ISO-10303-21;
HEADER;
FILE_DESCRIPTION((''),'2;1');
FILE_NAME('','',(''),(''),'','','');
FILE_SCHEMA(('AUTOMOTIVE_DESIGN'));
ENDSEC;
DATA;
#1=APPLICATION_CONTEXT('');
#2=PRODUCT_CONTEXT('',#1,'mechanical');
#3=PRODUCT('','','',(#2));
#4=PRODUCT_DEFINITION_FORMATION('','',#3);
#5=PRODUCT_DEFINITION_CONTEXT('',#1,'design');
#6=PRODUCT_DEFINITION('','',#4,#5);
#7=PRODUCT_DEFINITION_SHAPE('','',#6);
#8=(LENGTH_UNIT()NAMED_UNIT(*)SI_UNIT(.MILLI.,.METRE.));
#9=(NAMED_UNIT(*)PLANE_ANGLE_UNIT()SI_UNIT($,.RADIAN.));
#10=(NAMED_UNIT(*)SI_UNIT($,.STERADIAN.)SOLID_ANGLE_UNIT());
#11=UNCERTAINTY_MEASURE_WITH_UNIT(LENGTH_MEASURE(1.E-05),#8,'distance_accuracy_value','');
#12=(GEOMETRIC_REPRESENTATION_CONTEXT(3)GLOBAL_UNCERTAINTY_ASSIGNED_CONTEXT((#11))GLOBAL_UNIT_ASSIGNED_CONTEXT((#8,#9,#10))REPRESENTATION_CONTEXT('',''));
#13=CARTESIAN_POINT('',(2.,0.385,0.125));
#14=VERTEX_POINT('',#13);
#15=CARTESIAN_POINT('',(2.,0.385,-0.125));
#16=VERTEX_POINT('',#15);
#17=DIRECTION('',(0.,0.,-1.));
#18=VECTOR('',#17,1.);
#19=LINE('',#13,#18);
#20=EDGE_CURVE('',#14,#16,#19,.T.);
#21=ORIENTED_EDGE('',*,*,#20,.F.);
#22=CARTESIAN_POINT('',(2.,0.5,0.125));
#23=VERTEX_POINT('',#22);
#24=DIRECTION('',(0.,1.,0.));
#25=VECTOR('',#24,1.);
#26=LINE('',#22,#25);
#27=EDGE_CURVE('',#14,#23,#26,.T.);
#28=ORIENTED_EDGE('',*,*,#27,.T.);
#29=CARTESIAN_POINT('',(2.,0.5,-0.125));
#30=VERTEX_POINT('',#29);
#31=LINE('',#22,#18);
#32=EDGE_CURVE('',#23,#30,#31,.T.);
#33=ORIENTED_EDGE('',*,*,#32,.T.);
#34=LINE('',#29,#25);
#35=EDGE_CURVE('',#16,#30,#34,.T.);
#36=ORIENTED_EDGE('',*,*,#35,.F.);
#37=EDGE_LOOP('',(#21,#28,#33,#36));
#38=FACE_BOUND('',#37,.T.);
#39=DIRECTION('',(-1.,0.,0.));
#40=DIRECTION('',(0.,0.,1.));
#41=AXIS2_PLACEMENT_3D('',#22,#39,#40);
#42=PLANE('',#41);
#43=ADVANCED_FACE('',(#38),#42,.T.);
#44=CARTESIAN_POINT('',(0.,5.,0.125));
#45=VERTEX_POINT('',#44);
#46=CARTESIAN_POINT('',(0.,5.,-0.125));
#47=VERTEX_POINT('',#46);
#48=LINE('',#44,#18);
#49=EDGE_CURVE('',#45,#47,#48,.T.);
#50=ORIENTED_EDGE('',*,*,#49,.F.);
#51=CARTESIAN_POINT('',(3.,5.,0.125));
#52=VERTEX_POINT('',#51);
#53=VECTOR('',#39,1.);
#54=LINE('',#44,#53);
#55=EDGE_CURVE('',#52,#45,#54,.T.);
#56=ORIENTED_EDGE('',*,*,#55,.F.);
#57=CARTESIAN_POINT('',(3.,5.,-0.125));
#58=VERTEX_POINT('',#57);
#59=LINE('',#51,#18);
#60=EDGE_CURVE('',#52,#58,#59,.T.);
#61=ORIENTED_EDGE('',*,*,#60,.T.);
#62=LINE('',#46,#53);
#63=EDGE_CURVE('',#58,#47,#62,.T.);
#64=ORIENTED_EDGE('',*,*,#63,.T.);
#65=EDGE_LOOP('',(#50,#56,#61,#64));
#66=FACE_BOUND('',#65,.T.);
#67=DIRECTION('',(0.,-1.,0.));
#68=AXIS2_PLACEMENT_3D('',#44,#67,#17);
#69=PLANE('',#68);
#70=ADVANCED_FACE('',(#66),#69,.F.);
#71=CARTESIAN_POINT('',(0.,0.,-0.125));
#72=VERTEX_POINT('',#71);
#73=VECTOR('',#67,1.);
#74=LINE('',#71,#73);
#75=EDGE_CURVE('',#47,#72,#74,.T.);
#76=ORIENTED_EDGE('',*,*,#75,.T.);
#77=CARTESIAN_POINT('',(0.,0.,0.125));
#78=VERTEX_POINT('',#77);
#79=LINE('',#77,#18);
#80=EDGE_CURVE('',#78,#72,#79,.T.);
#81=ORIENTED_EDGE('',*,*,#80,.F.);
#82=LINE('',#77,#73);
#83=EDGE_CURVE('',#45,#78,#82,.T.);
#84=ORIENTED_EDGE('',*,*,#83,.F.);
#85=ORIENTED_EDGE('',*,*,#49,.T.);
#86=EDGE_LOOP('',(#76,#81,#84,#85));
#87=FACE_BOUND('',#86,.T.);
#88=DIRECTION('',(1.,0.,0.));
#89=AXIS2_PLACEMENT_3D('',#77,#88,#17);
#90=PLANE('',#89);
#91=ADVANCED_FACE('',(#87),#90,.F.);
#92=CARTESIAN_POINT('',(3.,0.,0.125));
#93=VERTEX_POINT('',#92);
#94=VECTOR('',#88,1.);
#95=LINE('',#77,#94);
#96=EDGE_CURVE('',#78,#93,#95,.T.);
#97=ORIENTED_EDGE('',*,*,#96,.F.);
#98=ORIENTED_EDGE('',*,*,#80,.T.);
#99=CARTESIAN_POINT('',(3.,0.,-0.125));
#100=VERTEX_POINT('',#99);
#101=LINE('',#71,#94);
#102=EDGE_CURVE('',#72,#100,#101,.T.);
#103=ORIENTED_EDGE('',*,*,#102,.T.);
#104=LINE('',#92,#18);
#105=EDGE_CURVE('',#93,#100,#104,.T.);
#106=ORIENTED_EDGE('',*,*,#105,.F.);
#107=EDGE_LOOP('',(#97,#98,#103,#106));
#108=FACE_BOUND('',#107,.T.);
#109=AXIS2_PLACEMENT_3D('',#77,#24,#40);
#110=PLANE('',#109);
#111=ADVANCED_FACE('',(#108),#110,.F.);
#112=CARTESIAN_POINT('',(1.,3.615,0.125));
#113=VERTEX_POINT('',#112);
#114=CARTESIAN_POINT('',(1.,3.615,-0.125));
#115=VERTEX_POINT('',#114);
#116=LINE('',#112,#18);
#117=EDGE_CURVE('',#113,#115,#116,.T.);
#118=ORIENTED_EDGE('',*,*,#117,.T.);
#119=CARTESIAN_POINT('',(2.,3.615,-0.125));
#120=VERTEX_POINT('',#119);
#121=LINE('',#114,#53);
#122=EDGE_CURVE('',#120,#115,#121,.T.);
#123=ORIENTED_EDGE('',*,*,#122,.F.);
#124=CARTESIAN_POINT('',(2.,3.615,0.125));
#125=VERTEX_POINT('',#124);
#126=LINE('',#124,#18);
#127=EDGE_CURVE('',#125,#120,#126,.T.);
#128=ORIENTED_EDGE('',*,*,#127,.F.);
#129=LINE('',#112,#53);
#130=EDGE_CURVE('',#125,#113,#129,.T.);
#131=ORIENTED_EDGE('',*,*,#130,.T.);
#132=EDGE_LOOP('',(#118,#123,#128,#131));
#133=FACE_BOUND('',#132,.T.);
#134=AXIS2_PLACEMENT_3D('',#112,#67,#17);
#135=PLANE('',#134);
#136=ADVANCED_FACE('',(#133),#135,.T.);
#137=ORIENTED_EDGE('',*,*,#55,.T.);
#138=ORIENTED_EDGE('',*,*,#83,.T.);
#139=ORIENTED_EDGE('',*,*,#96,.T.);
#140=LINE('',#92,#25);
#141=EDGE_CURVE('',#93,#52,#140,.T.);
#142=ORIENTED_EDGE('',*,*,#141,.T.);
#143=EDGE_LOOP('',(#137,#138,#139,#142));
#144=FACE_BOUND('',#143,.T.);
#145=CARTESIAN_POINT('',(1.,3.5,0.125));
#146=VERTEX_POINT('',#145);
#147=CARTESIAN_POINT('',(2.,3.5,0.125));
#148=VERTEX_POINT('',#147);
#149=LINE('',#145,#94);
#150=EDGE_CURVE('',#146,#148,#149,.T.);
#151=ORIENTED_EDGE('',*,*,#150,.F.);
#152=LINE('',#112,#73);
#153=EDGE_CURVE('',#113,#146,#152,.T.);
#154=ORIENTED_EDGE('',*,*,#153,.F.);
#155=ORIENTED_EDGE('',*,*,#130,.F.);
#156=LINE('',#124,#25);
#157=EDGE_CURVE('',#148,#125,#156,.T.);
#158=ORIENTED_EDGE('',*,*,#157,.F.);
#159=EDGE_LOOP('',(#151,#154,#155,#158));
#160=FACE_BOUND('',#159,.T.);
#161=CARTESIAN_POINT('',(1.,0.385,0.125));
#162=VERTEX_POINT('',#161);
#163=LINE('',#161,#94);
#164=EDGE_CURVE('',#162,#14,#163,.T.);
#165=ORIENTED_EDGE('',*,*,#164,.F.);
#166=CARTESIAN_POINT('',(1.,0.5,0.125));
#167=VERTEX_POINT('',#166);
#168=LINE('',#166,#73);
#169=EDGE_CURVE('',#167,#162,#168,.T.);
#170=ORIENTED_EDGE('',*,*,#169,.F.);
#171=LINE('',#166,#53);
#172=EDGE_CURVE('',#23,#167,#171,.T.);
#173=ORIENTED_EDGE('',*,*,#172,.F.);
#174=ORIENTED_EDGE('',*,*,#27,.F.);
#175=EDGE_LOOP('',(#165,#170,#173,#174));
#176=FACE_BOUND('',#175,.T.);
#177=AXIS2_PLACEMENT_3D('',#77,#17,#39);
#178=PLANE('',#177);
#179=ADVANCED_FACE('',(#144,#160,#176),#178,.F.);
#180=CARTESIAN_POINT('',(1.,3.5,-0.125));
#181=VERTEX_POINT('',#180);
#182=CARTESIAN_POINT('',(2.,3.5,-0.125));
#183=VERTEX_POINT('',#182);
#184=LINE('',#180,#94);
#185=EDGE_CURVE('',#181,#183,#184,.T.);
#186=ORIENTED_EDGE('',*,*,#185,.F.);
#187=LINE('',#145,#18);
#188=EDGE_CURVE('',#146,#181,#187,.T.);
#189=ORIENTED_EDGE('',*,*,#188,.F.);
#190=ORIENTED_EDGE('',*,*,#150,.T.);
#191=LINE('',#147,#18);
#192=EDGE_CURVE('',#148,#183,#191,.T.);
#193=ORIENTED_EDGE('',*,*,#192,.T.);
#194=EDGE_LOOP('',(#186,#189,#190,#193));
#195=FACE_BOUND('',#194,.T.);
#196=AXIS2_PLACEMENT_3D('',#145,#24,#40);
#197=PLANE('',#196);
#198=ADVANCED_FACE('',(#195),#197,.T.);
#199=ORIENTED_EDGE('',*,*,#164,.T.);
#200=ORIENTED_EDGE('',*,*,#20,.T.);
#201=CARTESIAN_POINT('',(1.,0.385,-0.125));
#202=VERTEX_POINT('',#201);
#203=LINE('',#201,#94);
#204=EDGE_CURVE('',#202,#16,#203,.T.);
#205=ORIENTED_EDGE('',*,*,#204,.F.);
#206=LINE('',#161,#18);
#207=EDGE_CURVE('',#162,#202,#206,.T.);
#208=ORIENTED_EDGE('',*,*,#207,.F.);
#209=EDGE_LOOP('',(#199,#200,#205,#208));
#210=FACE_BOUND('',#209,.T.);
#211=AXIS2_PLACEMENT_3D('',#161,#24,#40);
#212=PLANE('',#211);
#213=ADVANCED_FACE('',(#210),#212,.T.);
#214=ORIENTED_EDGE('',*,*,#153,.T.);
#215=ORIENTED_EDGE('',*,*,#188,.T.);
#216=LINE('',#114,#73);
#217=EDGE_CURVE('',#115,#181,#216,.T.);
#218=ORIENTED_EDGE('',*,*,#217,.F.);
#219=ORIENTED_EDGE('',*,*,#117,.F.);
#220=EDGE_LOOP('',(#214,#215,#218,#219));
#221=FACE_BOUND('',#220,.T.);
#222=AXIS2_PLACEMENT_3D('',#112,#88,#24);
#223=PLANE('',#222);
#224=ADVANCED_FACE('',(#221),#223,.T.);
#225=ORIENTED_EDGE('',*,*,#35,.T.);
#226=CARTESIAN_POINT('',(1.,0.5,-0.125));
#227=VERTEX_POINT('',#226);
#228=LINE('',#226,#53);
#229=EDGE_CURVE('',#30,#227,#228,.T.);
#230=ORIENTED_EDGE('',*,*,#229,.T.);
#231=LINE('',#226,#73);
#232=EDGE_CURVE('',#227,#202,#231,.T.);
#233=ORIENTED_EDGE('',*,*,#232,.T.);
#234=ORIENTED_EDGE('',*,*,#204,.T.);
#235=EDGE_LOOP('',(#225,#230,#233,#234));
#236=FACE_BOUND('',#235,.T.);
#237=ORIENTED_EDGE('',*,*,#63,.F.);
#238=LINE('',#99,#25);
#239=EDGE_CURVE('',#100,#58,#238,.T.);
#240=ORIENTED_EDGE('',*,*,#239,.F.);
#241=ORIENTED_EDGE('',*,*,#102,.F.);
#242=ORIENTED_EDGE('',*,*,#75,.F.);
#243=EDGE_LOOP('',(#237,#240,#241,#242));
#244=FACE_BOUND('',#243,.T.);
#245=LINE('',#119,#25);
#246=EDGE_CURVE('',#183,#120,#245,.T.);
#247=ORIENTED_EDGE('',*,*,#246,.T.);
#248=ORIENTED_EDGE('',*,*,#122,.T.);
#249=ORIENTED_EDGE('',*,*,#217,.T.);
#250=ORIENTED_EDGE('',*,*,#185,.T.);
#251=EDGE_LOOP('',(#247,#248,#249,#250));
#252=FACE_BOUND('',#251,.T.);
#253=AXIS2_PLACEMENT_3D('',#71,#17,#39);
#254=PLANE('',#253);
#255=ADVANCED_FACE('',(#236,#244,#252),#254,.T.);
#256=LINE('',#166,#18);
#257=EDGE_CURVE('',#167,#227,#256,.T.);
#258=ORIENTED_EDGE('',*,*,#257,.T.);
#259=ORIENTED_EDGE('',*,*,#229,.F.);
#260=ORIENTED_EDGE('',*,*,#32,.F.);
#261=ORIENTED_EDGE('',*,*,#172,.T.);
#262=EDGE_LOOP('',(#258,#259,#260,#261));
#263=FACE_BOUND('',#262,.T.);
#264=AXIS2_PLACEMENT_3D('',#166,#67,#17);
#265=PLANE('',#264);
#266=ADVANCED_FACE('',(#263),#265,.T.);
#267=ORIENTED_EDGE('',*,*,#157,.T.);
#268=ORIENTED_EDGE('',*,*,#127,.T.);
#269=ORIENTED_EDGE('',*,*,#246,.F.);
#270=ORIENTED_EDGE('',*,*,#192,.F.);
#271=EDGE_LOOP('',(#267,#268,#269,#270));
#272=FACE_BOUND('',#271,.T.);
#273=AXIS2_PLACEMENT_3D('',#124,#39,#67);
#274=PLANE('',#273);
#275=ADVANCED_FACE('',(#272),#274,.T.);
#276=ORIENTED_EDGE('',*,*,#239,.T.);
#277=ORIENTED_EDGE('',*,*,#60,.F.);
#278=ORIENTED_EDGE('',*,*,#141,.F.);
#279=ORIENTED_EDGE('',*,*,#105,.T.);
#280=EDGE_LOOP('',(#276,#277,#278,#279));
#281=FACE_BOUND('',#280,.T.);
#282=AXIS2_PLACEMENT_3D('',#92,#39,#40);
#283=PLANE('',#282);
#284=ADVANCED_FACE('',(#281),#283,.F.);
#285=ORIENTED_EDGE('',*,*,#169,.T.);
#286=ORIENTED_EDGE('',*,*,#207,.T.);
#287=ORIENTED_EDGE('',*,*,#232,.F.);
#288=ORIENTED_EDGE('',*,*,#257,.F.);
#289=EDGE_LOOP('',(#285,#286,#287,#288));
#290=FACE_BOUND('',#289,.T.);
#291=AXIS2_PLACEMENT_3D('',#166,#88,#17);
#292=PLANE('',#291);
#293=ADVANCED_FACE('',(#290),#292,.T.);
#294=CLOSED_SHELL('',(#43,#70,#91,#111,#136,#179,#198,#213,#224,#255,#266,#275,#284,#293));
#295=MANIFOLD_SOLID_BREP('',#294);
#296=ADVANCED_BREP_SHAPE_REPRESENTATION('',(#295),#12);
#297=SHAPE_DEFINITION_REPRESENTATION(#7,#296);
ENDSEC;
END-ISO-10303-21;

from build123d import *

# Parameters (mm, degrees)
FRAME_OUTLINE_W     = 3
FRAME_OUTLINE_H     = 5
FRAME_OUTLINE_W_2   = 1
FRAME_OUTLINE_H_2   = 0.115
BOSS_EXTRUDE1_DEPTH = 0.125


with BuildPart() as part:
    # frame_outline → Boss-Extrude1 (new, symmetric)
    with BuildSketch(Plane.XY):
        with Locations((1.5, 2.5)):
            Rectangle(FRAME_OUTLINE_W, FRAME_OUTLINE_H)
        with Locations((1.5, 3.5575)):
            Rectangle(FRAME_OUTLINE_W_2, FRAME_OUTLINE_H_2, mode=Mode.SUBTRACT)
        with Locations((1.5, 0.4425)):
            Rectangle(FRAME_OUTLINE_W_2, FRAME_OUTLINE_H_2, mode=Mode.SUBTRACT)
    extrude(amount=BOSS_EXTRUDE1_DEPTH, both=True)


solid = part.part
